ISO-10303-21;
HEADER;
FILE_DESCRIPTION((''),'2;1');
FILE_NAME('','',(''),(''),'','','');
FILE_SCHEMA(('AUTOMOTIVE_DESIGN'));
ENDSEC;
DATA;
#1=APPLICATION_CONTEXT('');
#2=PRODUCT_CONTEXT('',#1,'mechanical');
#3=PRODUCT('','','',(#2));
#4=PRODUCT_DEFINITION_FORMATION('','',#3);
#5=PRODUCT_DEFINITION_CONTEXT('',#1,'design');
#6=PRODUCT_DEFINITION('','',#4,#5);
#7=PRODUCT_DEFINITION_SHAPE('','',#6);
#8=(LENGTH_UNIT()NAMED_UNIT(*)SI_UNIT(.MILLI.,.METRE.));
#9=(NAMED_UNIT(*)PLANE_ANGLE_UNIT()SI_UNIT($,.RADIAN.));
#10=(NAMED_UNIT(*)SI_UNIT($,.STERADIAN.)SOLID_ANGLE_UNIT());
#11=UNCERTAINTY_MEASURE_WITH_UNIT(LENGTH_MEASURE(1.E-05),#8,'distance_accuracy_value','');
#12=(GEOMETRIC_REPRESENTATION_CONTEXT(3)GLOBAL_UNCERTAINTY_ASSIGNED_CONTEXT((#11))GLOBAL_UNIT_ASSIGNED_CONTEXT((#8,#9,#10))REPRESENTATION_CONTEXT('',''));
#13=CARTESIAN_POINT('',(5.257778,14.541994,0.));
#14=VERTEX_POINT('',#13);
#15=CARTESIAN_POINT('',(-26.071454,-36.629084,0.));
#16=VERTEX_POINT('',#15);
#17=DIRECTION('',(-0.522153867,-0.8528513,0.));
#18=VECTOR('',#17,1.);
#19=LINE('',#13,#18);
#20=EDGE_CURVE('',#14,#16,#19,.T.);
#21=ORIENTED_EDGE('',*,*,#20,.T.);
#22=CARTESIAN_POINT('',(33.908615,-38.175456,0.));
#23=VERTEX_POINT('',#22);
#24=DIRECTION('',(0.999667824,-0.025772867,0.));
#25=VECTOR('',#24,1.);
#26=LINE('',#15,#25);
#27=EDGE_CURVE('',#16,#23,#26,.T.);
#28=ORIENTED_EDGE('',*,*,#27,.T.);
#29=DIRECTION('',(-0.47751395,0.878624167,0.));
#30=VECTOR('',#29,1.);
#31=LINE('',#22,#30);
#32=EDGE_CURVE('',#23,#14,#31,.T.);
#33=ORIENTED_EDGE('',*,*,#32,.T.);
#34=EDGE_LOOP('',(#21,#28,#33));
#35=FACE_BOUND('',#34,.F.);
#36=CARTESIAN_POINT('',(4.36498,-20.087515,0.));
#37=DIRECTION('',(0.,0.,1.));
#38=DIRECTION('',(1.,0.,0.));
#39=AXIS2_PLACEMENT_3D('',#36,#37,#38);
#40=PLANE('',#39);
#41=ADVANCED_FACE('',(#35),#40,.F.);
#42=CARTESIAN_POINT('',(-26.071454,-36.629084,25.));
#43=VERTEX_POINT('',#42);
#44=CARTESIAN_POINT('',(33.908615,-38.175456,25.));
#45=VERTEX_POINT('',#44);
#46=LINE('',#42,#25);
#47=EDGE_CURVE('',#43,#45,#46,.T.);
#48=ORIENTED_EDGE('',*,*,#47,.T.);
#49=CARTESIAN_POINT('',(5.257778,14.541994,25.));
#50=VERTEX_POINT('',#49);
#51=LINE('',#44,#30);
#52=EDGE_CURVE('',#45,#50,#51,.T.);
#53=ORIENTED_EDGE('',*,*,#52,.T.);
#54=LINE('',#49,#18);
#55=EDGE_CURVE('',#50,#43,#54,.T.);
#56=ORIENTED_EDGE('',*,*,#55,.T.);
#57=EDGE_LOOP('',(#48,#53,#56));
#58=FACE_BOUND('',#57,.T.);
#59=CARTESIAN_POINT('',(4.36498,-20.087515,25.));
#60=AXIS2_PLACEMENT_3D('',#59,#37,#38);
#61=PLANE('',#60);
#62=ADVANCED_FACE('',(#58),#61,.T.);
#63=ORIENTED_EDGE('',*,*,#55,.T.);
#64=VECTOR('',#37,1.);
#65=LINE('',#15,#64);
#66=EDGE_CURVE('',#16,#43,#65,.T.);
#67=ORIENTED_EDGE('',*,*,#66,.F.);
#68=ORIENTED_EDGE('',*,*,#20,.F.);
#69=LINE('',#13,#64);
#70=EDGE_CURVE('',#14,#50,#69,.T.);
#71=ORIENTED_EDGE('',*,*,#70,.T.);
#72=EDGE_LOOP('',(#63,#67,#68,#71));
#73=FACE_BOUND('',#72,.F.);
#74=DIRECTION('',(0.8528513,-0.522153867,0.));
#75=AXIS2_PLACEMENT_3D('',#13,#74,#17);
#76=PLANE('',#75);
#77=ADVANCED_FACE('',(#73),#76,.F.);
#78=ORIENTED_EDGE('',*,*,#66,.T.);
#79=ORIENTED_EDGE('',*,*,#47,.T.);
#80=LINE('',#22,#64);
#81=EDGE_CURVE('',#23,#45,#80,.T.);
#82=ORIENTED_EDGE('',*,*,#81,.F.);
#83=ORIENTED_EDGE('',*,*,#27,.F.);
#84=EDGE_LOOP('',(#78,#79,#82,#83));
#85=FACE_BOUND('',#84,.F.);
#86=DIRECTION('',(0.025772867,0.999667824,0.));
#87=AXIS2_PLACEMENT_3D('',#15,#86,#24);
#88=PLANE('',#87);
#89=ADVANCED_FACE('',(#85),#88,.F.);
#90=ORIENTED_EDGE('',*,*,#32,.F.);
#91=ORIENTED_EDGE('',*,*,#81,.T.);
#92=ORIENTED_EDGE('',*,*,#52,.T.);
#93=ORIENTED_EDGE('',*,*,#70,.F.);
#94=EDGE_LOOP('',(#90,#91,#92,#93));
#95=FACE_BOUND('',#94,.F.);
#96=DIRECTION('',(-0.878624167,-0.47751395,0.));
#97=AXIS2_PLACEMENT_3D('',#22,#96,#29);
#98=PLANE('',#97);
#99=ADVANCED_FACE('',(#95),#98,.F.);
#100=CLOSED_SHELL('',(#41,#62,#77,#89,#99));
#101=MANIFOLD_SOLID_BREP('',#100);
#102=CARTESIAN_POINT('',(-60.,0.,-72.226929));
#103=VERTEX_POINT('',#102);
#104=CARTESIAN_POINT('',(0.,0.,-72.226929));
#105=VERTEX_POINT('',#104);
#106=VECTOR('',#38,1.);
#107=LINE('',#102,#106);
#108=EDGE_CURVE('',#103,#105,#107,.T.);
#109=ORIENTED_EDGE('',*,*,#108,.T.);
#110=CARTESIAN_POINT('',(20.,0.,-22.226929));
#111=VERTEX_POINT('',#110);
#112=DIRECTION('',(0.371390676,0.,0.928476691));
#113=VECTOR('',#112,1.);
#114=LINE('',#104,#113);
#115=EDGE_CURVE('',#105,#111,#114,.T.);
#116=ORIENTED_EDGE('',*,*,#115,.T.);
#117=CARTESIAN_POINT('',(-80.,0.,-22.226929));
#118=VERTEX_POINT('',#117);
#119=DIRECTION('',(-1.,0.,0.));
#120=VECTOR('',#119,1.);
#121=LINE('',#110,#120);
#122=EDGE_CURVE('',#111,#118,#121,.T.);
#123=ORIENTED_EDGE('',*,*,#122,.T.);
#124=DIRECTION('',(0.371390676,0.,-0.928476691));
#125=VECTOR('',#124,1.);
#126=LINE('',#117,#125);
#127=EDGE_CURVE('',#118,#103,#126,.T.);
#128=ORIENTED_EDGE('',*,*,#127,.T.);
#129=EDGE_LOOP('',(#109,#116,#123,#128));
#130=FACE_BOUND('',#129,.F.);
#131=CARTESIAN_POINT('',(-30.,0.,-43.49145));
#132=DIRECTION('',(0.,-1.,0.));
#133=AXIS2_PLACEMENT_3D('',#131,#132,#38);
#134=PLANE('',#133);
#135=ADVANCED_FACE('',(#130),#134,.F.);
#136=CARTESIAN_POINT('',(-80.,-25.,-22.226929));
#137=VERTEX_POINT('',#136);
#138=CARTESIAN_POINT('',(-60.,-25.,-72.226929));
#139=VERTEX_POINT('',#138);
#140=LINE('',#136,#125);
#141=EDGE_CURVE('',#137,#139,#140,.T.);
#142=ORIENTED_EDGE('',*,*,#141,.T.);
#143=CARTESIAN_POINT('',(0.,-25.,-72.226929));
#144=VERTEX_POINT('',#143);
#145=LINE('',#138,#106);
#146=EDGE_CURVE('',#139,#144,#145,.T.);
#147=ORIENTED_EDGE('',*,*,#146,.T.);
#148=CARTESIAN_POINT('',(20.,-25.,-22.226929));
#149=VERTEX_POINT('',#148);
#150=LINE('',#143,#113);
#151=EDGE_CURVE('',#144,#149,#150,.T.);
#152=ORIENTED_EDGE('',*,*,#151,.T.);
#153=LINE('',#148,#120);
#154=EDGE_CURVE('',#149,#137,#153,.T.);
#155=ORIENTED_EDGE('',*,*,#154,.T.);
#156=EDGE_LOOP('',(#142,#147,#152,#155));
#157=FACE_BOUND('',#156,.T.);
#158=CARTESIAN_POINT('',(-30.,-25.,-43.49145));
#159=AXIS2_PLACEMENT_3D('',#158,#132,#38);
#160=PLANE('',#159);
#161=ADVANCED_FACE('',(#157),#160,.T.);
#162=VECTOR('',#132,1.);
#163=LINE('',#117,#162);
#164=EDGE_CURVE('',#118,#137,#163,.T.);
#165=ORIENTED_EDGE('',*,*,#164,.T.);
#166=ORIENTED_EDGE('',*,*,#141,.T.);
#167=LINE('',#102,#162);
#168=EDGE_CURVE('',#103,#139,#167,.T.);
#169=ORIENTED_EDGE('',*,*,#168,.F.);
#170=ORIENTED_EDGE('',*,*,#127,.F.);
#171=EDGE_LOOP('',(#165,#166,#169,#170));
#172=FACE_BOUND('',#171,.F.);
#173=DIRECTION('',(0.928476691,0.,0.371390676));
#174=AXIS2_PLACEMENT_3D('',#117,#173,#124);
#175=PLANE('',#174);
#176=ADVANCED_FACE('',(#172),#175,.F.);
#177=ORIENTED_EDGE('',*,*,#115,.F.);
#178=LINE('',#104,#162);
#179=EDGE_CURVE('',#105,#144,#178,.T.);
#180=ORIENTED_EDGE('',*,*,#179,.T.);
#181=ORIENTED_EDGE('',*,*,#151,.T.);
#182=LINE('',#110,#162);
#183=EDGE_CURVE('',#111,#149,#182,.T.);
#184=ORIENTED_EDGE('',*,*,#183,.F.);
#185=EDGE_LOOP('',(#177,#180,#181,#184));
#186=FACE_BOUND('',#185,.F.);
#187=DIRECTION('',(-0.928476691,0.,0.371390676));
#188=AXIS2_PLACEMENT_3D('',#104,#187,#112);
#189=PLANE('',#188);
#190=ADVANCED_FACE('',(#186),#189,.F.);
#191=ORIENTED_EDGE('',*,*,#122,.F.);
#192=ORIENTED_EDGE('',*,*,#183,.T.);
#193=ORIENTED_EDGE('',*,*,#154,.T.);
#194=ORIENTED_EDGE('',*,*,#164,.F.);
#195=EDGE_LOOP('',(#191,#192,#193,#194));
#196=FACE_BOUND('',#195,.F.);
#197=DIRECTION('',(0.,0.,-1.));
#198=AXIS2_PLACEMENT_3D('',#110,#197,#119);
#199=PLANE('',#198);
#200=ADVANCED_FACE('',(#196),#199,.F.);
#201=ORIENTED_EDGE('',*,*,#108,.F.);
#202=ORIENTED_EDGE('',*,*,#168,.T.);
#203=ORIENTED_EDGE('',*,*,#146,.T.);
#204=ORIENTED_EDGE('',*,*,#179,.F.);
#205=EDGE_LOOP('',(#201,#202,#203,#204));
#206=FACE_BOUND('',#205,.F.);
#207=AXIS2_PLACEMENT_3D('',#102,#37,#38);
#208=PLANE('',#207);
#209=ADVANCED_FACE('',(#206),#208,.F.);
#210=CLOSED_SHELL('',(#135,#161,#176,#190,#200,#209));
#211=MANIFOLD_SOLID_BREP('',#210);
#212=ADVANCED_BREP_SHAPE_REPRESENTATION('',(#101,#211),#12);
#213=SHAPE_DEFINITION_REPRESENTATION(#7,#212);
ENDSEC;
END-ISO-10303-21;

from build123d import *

# Parameters (mm, degrees)
F2_DEPTH = 25
F3_DEPTH = 25


with BuildPart() as f2:
    # F0 (on Top) → F2 (new body)
    with BuildSketch(Plane.XY):
        Polygon((5.257778, 14.541994), (-26.071454, -36.629084), (33.908615, -38.175456), align=None)
    extrude(amount=F2_DEPTH)


with BuildPart() as f3:
    # F1 (on Front) → F3 (new body)
    with BuildSketch(Plane.XZ):
        Polygon((-80, -22.226929), (-60, -72.226929), (0, -72.226929), (20, -22.226929), align=None)
    extrude(amount=F3_DEPTH)


solid = Compound([f2.part, f3.part])
